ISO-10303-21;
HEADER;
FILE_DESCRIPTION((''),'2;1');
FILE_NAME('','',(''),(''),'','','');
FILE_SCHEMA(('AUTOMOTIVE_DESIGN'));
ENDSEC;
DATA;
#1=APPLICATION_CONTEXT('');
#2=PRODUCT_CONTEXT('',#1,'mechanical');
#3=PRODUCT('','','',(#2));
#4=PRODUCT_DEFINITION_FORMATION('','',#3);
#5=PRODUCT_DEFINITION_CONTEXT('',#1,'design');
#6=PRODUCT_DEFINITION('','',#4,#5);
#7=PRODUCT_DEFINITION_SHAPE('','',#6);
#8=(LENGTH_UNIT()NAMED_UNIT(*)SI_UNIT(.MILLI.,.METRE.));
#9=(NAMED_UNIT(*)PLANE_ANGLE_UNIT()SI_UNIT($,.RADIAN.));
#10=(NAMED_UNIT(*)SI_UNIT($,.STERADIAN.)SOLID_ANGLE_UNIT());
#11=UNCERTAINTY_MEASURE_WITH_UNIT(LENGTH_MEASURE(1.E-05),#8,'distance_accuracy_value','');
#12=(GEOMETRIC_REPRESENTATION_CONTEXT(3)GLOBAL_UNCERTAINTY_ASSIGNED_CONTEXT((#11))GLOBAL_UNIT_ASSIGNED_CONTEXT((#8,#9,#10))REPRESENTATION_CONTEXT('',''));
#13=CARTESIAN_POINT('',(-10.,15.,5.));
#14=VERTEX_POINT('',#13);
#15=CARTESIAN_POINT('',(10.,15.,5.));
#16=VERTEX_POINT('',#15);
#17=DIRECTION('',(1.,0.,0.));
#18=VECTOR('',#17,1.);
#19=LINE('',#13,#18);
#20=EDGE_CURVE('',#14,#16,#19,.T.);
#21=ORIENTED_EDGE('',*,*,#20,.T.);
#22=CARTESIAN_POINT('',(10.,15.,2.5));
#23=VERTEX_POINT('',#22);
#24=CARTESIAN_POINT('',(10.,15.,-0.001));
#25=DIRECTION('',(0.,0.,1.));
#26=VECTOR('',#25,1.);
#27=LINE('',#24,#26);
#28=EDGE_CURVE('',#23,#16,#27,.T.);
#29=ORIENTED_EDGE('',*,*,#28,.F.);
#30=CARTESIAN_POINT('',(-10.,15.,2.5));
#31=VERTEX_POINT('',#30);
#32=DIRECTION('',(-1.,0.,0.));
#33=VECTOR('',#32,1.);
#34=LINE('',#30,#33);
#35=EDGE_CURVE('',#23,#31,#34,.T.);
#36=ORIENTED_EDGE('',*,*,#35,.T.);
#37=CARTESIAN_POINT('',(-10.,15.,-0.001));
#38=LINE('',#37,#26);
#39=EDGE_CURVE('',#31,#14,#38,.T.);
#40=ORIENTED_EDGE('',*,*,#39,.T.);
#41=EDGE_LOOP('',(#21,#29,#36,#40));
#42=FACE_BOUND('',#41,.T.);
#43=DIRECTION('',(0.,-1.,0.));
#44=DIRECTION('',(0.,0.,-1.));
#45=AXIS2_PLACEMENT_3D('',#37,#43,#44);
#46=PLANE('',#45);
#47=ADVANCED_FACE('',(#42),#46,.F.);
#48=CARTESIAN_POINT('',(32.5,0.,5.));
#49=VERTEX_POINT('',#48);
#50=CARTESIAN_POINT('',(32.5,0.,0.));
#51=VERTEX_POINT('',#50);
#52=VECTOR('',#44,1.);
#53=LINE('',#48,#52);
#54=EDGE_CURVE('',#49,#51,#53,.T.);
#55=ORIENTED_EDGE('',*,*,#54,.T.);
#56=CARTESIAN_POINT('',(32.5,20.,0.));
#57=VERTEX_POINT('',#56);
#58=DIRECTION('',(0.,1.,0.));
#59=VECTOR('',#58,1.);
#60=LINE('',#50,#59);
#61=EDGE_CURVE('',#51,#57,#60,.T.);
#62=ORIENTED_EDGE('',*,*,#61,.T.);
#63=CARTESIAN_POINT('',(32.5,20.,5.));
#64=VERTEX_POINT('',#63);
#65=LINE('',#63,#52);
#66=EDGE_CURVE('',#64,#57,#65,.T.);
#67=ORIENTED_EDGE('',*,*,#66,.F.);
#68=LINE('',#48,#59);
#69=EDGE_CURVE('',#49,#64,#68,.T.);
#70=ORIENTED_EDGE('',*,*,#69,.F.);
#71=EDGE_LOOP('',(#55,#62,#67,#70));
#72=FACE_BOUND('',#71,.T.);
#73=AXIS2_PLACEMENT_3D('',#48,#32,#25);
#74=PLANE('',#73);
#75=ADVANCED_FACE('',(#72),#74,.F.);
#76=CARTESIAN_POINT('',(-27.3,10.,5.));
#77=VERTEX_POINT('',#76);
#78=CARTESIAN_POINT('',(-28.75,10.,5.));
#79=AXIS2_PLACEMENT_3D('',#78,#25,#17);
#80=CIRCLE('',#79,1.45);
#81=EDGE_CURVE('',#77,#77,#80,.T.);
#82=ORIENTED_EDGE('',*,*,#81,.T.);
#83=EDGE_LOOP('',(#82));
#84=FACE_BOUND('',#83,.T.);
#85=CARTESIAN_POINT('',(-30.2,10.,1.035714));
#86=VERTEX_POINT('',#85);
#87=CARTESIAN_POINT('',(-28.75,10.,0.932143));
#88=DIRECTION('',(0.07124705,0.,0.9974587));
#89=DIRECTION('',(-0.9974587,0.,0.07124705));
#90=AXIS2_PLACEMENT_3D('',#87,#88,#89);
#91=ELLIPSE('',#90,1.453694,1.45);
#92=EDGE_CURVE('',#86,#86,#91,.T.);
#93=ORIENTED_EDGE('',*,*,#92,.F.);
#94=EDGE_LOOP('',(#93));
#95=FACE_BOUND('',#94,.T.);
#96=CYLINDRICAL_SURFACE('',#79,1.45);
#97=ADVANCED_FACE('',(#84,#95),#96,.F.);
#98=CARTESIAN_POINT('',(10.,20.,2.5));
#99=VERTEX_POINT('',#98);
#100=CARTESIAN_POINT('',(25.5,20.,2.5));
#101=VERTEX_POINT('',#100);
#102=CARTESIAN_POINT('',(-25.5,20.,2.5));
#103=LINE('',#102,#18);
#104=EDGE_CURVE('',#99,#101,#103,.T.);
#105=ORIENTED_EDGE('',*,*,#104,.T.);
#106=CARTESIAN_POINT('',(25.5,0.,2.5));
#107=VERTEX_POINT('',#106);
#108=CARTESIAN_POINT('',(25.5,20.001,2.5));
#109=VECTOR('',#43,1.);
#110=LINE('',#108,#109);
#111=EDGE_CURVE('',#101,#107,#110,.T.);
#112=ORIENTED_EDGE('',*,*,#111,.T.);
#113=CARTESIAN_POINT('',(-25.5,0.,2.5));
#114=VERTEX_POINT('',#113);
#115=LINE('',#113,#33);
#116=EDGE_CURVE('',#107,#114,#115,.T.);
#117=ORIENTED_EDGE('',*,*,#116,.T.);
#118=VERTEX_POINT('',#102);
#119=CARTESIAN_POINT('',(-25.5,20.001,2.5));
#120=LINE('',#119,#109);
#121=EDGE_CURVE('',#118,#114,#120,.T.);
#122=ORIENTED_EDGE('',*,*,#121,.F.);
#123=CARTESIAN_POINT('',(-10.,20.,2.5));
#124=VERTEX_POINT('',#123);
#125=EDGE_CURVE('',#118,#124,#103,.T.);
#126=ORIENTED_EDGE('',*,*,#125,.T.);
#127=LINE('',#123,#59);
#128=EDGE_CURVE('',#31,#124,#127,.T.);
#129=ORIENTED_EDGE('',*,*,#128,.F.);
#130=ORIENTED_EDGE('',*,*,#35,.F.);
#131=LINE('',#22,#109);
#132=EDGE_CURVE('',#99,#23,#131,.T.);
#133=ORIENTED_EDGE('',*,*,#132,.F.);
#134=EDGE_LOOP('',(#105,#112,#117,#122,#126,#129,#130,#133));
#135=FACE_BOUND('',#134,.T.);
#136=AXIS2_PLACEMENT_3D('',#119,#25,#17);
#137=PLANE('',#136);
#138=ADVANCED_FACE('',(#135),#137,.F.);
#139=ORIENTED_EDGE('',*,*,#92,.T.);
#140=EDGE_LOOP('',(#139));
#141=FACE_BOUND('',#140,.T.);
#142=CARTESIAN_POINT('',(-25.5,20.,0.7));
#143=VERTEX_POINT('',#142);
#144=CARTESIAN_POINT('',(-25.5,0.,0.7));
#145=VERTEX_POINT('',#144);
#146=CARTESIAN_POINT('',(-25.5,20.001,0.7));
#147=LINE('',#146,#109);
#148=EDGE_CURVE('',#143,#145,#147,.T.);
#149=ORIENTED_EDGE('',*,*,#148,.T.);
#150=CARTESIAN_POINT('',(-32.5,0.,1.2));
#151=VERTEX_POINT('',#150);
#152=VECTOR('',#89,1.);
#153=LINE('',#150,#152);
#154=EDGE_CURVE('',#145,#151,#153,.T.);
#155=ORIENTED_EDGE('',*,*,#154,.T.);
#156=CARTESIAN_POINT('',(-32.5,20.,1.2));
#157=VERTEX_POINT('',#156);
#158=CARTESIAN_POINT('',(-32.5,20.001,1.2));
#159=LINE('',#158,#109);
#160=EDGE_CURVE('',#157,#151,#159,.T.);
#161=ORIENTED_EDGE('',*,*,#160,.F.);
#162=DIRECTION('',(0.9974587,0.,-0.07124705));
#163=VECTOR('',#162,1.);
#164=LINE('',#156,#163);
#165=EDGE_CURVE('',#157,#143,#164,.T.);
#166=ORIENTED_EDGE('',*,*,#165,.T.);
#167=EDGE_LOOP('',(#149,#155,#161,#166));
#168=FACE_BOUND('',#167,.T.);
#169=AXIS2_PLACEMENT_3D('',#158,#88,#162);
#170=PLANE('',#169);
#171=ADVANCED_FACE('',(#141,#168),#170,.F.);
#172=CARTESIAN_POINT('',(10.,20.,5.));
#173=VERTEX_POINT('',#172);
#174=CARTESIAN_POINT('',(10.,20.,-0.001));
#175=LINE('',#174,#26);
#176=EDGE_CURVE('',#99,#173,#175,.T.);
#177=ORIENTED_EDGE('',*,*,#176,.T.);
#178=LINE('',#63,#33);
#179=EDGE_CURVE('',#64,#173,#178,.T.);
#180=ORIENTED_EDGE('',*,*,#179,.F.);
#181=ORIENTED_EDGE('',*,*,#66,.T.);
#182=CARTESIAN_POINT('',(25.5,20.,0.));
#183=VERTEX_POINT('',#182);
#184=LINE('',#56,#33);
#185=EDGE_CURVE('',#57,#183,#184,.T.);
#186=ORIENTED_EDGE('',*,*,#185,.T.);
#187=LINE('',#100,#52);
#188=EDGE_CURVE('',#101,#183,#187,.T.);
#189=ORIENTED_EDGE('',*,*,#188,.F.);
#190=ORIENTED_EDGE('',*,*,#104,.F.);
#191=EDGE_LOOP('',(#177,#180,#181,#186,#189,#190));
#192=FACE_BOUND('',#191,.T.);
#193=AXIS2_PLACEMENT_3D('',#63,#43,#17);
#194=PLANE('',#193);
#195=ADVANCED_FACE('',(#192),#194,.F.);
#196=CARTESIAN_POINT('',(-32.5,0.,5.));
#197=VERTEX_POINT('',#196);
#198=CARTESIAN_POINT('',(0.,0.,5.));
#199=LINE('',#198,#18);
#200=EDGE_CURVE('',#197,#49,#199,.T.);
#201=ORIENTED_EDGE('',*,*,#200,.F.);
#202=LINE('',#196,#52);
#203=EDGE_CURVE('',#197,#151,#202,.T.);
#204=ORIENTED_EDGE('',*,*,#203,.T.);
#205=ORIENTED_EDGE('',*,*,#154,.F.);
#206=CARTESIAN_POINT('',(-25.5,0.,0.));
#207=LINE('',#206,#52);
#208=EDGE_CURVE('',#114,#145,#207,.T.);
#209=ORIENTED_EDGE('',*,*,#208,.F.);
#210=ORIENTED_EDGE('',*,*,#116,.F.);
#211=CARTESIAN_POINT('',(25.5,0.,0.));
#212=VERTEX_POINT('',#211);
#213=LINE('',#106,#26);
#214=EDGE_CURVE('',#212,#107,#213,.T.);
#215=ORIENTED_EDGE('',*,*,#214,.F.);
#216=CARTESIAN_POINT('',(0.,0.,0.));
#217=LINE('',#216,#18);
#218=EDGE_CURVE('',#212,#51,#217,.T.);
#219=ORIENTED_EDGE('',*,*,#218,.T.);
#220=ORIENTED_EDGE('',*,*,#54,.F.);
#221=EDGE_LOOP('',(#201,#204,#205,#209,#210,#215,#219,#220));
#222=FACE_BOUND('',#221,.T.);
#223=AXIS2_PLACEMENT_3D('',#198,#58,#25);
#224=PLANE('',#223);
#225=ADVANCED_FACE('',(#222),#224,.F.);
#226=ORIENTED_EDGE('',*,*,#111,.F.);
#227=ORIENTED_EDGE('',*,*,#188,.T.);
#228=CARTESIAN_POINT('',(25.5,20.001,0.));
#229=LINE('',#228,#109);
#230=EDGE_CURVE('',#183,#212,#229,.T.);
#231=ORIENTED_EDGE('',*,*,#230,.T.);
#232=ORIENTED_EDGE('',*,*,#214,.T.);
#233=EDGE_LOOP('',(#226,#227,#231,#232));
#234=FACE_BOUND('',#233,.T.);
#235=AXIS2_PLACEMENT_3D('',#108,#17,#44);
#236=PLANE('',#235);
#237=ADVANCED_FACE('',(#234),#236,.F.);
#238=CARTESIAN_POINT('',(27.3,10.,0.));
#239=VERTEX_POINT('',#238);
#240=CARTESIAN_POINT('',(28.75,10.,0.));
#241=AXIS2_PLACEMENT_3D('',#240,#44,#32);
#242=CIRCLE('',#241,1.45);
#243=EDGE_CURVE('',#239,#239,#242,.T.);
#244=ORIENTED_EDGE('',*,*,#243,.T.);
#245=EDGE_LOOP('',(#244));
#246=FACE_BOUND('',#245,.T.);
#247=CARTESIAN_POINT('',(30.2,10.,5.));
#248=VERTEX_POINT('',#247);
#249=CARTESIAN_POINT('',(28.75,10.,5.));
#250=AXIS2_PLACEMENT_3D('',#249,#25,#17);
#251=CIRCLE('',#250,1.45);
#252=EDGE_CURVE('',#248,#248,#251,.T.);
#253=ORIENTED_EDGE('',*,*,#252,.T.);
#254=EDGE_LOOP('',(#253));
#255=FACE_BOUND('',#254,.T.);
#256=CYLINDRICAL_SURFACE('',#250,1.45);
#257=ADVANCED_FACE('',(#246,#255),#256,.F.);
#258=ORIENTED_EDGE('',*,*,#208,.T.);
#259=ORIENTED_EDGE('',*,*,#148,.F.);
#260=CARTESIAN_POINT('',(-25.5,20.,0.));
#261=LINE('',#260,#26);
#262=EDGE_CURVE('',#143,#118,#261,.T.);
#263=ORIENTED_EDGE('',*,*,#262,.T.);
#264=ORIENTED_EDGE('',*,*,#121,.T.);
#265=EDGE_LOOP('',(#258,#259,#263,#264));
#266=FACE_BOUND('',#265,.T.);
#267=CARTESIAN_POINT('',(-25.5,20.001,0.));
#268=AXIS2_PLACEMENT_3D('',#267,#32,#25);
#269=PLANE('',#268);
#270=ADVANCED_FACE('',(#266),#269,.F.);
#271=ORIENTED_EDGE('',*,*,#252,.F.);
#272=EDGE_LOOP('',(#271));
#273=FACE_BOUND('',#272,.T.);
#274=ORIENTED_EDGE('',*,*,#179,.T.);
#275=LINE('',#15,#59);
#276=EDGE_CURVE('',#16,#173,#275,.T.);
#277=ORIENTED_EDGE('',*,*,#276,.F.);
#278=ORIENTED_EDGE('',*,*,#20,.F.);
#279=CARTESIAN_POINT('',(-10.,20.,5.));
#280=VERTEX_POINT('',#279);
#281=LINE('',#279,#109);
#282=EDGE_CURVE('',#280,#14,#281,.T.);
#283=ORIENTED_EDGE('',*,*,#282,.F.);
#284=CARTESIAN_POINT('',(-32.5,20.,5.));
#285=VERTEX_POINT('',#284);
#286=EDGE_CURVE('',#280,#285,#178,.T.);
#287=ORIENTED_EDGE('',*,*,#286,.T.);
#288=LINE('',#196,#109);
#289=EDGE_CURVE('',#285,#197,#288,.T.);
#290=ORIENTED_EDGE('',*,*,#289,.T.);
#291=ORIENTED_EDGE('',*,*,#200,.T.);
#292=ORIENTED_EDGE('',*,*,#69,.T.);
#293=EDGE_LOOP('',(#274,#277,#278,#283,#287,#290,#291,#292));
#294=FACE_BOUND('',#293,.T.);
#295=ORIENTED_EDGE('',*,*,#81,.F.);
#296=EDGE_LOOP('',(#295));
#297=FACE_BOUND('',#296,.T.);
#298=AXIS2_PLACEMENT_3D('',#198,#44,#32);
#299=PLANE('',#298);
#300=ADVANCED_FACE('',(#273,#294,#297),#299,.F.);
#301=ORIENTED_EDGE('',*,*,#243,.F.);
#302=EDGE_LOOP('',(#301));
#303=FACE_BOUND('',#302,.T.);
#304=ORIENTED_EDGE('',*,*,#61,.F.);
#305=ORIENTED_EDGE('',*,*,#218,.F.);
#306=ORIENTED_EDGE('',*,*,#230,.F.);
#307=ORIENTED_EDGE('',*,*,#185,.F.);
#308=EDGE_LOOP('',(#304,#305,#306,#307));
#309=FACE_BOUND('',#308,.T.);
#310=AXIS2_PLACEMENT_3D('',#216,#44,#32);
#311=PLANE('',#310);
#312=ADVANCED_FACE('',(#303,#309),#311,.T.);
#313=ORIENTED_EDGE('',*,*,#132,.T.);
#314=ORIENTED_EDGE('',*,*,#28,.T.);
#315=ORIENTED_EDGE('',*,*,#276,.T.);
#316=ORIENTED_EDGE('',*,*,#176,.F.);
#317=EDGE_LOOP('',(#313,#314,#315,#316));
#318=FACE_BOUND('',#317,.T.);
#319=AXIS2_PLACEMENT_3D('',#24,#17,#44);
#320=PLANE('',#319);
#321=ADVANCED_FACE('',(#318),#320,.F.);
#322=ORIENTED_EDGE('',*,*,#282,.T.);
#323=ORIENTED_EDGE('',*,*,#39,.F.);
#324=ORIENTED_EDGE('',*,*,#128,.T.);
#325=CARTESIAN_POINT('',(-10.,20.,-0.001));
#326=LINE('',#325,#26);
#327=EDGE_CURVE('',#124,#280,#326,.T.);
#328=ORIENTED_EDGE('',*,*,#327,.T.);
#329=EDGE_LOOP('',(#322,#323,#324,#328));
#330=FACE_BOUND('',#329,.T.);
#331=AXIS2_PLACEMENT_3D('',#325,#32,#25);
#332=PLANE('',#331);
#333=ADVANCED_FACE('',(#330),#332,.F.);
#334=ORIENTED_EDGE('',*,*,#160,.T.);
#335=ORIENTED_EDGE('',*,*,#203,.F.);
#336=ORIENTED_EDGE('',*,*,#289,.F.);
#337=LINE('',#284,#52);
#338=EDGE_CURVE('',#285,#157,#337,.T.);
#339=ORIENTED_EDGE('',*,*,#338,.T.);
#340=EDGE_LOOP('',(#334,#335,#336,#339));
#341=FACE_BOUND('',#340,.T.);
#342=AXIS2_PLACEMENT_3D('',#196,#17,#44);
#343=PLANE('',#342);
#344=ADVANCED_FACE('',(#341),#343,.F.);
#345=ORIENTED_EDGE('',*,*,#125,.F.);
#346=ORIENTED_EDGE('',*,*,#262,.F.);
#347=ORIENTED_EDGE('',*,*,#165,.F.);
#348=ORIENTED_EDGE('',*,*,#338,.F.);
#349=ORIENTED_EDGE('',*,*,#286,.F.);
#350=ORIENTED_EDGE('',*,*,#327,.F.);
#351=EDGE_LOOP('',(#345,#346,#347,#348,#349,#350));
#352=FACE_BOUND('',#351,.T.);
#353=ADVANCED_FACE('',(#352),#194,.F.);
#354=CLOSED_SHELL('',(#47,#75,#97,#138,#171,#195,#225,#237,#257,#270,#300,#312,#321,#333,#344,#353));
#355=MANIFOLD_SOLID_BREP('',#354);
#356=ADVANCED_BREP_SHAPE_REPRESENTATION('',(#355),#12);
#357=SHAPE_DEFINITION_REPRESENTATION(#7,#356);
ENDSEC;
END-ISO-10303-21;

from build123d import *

# Parameters (mm, degrees)
BOSS_EXTRUDE1_DEPTH     = 5
CUT_EXTRUDE1_REACH      = 40.487
SKETCH2_W               = 51
SKETCH2_H               = 2.5
M3_5X0_6_TAPPED_HOLE4_D = 2.9
CUT_EXTRUDE2_REACH      = 40.487
CUT_EXTRUDE4_REACH      = 40.487


with BuildPart() as part:
    # Sketch1 → Boss-Extrude1 (new body)
    with BuildSketch(Plane.XY):
        Polygon((0, 0), (32.5, 0), (32.5, 20), (-32.5, 20), (-32.5, 0), align=None)
    extrude(amount=BOSS_EXTRUDE1_DEPTH)

    # Sketch2 → Cut-Extrude1 (cut, up to next)
    with BuildSketch(Plane.XZ, mode=Mode.PRIVATE) as cut_extrude1_sk1:
        with Locations((0, 1.25)):
            Rectangle(SKETCH2_W, SKETCH2_H)
    cut_extrude1_tool1 = extrude(cut_extrude1_sk1.sketch, amount=-CUT_EXTRUDE1_REACH, mode=Mode.PRIVATE) & part.part
    add(cut_extrude1_tool1.solids().sort_by_distance((0, 0, 1.25))[0], mode=Mode.SUBTRACT)

    # M3.5x0.6 Tapped Hole4 (through all)
    with Locations(Plane.XY.offset(5)):
        with Locations((-28.75, 10), (28.75, 10)):
            Hole(M3_5X0_6_TAPPED_HOLE4_D / 2)

    # Sketch12 → Cut-Extrude2 (cut, up to next)
    with BuildSketch(Plane.XY.offset(5), mode=Mode.PRIVATE) as cut_extrude2_sk1:
        Polygon((0, 20), (-10, 20), (-10, 15), (10, 15), (10, 20), align=None)
    cut_extrude2_tool1 = extrude(cut_extrude2_sk1.sketch, amount=-CUT_EXTRUDE2_REACH, mode=Mode.PRIVATE) & part.part
    add(cut_extrude2_tool1.solids().sort_by_distance((0, 17.5, 5))[0], mode=Mode.SUBTRACT)

    # Sketch14 → Cut-Extrude4 (cut, up to next)
    with BuildSketch(Plane.XZ, mode=Mode.PRIVATE) as cut_extrude4_sk1:
        Polygon((-25.5, 0), (-25.5, 0.7), (-32.5, 1.2), (-32.5, 0), align=None)
    cut_extrude4_tool1 = extrude(cut_extrude4_sk1.sketch, amount=-CUT_EXTRUDE4_REACH, mode=Mode.PRIVATE) & part.part
    add(cut_extrude4_tool1.solids().sort_by_distance((-29.307018, 0, 0.485965))[0], mode=Mode.SUBTRACT)


solid = part.part
